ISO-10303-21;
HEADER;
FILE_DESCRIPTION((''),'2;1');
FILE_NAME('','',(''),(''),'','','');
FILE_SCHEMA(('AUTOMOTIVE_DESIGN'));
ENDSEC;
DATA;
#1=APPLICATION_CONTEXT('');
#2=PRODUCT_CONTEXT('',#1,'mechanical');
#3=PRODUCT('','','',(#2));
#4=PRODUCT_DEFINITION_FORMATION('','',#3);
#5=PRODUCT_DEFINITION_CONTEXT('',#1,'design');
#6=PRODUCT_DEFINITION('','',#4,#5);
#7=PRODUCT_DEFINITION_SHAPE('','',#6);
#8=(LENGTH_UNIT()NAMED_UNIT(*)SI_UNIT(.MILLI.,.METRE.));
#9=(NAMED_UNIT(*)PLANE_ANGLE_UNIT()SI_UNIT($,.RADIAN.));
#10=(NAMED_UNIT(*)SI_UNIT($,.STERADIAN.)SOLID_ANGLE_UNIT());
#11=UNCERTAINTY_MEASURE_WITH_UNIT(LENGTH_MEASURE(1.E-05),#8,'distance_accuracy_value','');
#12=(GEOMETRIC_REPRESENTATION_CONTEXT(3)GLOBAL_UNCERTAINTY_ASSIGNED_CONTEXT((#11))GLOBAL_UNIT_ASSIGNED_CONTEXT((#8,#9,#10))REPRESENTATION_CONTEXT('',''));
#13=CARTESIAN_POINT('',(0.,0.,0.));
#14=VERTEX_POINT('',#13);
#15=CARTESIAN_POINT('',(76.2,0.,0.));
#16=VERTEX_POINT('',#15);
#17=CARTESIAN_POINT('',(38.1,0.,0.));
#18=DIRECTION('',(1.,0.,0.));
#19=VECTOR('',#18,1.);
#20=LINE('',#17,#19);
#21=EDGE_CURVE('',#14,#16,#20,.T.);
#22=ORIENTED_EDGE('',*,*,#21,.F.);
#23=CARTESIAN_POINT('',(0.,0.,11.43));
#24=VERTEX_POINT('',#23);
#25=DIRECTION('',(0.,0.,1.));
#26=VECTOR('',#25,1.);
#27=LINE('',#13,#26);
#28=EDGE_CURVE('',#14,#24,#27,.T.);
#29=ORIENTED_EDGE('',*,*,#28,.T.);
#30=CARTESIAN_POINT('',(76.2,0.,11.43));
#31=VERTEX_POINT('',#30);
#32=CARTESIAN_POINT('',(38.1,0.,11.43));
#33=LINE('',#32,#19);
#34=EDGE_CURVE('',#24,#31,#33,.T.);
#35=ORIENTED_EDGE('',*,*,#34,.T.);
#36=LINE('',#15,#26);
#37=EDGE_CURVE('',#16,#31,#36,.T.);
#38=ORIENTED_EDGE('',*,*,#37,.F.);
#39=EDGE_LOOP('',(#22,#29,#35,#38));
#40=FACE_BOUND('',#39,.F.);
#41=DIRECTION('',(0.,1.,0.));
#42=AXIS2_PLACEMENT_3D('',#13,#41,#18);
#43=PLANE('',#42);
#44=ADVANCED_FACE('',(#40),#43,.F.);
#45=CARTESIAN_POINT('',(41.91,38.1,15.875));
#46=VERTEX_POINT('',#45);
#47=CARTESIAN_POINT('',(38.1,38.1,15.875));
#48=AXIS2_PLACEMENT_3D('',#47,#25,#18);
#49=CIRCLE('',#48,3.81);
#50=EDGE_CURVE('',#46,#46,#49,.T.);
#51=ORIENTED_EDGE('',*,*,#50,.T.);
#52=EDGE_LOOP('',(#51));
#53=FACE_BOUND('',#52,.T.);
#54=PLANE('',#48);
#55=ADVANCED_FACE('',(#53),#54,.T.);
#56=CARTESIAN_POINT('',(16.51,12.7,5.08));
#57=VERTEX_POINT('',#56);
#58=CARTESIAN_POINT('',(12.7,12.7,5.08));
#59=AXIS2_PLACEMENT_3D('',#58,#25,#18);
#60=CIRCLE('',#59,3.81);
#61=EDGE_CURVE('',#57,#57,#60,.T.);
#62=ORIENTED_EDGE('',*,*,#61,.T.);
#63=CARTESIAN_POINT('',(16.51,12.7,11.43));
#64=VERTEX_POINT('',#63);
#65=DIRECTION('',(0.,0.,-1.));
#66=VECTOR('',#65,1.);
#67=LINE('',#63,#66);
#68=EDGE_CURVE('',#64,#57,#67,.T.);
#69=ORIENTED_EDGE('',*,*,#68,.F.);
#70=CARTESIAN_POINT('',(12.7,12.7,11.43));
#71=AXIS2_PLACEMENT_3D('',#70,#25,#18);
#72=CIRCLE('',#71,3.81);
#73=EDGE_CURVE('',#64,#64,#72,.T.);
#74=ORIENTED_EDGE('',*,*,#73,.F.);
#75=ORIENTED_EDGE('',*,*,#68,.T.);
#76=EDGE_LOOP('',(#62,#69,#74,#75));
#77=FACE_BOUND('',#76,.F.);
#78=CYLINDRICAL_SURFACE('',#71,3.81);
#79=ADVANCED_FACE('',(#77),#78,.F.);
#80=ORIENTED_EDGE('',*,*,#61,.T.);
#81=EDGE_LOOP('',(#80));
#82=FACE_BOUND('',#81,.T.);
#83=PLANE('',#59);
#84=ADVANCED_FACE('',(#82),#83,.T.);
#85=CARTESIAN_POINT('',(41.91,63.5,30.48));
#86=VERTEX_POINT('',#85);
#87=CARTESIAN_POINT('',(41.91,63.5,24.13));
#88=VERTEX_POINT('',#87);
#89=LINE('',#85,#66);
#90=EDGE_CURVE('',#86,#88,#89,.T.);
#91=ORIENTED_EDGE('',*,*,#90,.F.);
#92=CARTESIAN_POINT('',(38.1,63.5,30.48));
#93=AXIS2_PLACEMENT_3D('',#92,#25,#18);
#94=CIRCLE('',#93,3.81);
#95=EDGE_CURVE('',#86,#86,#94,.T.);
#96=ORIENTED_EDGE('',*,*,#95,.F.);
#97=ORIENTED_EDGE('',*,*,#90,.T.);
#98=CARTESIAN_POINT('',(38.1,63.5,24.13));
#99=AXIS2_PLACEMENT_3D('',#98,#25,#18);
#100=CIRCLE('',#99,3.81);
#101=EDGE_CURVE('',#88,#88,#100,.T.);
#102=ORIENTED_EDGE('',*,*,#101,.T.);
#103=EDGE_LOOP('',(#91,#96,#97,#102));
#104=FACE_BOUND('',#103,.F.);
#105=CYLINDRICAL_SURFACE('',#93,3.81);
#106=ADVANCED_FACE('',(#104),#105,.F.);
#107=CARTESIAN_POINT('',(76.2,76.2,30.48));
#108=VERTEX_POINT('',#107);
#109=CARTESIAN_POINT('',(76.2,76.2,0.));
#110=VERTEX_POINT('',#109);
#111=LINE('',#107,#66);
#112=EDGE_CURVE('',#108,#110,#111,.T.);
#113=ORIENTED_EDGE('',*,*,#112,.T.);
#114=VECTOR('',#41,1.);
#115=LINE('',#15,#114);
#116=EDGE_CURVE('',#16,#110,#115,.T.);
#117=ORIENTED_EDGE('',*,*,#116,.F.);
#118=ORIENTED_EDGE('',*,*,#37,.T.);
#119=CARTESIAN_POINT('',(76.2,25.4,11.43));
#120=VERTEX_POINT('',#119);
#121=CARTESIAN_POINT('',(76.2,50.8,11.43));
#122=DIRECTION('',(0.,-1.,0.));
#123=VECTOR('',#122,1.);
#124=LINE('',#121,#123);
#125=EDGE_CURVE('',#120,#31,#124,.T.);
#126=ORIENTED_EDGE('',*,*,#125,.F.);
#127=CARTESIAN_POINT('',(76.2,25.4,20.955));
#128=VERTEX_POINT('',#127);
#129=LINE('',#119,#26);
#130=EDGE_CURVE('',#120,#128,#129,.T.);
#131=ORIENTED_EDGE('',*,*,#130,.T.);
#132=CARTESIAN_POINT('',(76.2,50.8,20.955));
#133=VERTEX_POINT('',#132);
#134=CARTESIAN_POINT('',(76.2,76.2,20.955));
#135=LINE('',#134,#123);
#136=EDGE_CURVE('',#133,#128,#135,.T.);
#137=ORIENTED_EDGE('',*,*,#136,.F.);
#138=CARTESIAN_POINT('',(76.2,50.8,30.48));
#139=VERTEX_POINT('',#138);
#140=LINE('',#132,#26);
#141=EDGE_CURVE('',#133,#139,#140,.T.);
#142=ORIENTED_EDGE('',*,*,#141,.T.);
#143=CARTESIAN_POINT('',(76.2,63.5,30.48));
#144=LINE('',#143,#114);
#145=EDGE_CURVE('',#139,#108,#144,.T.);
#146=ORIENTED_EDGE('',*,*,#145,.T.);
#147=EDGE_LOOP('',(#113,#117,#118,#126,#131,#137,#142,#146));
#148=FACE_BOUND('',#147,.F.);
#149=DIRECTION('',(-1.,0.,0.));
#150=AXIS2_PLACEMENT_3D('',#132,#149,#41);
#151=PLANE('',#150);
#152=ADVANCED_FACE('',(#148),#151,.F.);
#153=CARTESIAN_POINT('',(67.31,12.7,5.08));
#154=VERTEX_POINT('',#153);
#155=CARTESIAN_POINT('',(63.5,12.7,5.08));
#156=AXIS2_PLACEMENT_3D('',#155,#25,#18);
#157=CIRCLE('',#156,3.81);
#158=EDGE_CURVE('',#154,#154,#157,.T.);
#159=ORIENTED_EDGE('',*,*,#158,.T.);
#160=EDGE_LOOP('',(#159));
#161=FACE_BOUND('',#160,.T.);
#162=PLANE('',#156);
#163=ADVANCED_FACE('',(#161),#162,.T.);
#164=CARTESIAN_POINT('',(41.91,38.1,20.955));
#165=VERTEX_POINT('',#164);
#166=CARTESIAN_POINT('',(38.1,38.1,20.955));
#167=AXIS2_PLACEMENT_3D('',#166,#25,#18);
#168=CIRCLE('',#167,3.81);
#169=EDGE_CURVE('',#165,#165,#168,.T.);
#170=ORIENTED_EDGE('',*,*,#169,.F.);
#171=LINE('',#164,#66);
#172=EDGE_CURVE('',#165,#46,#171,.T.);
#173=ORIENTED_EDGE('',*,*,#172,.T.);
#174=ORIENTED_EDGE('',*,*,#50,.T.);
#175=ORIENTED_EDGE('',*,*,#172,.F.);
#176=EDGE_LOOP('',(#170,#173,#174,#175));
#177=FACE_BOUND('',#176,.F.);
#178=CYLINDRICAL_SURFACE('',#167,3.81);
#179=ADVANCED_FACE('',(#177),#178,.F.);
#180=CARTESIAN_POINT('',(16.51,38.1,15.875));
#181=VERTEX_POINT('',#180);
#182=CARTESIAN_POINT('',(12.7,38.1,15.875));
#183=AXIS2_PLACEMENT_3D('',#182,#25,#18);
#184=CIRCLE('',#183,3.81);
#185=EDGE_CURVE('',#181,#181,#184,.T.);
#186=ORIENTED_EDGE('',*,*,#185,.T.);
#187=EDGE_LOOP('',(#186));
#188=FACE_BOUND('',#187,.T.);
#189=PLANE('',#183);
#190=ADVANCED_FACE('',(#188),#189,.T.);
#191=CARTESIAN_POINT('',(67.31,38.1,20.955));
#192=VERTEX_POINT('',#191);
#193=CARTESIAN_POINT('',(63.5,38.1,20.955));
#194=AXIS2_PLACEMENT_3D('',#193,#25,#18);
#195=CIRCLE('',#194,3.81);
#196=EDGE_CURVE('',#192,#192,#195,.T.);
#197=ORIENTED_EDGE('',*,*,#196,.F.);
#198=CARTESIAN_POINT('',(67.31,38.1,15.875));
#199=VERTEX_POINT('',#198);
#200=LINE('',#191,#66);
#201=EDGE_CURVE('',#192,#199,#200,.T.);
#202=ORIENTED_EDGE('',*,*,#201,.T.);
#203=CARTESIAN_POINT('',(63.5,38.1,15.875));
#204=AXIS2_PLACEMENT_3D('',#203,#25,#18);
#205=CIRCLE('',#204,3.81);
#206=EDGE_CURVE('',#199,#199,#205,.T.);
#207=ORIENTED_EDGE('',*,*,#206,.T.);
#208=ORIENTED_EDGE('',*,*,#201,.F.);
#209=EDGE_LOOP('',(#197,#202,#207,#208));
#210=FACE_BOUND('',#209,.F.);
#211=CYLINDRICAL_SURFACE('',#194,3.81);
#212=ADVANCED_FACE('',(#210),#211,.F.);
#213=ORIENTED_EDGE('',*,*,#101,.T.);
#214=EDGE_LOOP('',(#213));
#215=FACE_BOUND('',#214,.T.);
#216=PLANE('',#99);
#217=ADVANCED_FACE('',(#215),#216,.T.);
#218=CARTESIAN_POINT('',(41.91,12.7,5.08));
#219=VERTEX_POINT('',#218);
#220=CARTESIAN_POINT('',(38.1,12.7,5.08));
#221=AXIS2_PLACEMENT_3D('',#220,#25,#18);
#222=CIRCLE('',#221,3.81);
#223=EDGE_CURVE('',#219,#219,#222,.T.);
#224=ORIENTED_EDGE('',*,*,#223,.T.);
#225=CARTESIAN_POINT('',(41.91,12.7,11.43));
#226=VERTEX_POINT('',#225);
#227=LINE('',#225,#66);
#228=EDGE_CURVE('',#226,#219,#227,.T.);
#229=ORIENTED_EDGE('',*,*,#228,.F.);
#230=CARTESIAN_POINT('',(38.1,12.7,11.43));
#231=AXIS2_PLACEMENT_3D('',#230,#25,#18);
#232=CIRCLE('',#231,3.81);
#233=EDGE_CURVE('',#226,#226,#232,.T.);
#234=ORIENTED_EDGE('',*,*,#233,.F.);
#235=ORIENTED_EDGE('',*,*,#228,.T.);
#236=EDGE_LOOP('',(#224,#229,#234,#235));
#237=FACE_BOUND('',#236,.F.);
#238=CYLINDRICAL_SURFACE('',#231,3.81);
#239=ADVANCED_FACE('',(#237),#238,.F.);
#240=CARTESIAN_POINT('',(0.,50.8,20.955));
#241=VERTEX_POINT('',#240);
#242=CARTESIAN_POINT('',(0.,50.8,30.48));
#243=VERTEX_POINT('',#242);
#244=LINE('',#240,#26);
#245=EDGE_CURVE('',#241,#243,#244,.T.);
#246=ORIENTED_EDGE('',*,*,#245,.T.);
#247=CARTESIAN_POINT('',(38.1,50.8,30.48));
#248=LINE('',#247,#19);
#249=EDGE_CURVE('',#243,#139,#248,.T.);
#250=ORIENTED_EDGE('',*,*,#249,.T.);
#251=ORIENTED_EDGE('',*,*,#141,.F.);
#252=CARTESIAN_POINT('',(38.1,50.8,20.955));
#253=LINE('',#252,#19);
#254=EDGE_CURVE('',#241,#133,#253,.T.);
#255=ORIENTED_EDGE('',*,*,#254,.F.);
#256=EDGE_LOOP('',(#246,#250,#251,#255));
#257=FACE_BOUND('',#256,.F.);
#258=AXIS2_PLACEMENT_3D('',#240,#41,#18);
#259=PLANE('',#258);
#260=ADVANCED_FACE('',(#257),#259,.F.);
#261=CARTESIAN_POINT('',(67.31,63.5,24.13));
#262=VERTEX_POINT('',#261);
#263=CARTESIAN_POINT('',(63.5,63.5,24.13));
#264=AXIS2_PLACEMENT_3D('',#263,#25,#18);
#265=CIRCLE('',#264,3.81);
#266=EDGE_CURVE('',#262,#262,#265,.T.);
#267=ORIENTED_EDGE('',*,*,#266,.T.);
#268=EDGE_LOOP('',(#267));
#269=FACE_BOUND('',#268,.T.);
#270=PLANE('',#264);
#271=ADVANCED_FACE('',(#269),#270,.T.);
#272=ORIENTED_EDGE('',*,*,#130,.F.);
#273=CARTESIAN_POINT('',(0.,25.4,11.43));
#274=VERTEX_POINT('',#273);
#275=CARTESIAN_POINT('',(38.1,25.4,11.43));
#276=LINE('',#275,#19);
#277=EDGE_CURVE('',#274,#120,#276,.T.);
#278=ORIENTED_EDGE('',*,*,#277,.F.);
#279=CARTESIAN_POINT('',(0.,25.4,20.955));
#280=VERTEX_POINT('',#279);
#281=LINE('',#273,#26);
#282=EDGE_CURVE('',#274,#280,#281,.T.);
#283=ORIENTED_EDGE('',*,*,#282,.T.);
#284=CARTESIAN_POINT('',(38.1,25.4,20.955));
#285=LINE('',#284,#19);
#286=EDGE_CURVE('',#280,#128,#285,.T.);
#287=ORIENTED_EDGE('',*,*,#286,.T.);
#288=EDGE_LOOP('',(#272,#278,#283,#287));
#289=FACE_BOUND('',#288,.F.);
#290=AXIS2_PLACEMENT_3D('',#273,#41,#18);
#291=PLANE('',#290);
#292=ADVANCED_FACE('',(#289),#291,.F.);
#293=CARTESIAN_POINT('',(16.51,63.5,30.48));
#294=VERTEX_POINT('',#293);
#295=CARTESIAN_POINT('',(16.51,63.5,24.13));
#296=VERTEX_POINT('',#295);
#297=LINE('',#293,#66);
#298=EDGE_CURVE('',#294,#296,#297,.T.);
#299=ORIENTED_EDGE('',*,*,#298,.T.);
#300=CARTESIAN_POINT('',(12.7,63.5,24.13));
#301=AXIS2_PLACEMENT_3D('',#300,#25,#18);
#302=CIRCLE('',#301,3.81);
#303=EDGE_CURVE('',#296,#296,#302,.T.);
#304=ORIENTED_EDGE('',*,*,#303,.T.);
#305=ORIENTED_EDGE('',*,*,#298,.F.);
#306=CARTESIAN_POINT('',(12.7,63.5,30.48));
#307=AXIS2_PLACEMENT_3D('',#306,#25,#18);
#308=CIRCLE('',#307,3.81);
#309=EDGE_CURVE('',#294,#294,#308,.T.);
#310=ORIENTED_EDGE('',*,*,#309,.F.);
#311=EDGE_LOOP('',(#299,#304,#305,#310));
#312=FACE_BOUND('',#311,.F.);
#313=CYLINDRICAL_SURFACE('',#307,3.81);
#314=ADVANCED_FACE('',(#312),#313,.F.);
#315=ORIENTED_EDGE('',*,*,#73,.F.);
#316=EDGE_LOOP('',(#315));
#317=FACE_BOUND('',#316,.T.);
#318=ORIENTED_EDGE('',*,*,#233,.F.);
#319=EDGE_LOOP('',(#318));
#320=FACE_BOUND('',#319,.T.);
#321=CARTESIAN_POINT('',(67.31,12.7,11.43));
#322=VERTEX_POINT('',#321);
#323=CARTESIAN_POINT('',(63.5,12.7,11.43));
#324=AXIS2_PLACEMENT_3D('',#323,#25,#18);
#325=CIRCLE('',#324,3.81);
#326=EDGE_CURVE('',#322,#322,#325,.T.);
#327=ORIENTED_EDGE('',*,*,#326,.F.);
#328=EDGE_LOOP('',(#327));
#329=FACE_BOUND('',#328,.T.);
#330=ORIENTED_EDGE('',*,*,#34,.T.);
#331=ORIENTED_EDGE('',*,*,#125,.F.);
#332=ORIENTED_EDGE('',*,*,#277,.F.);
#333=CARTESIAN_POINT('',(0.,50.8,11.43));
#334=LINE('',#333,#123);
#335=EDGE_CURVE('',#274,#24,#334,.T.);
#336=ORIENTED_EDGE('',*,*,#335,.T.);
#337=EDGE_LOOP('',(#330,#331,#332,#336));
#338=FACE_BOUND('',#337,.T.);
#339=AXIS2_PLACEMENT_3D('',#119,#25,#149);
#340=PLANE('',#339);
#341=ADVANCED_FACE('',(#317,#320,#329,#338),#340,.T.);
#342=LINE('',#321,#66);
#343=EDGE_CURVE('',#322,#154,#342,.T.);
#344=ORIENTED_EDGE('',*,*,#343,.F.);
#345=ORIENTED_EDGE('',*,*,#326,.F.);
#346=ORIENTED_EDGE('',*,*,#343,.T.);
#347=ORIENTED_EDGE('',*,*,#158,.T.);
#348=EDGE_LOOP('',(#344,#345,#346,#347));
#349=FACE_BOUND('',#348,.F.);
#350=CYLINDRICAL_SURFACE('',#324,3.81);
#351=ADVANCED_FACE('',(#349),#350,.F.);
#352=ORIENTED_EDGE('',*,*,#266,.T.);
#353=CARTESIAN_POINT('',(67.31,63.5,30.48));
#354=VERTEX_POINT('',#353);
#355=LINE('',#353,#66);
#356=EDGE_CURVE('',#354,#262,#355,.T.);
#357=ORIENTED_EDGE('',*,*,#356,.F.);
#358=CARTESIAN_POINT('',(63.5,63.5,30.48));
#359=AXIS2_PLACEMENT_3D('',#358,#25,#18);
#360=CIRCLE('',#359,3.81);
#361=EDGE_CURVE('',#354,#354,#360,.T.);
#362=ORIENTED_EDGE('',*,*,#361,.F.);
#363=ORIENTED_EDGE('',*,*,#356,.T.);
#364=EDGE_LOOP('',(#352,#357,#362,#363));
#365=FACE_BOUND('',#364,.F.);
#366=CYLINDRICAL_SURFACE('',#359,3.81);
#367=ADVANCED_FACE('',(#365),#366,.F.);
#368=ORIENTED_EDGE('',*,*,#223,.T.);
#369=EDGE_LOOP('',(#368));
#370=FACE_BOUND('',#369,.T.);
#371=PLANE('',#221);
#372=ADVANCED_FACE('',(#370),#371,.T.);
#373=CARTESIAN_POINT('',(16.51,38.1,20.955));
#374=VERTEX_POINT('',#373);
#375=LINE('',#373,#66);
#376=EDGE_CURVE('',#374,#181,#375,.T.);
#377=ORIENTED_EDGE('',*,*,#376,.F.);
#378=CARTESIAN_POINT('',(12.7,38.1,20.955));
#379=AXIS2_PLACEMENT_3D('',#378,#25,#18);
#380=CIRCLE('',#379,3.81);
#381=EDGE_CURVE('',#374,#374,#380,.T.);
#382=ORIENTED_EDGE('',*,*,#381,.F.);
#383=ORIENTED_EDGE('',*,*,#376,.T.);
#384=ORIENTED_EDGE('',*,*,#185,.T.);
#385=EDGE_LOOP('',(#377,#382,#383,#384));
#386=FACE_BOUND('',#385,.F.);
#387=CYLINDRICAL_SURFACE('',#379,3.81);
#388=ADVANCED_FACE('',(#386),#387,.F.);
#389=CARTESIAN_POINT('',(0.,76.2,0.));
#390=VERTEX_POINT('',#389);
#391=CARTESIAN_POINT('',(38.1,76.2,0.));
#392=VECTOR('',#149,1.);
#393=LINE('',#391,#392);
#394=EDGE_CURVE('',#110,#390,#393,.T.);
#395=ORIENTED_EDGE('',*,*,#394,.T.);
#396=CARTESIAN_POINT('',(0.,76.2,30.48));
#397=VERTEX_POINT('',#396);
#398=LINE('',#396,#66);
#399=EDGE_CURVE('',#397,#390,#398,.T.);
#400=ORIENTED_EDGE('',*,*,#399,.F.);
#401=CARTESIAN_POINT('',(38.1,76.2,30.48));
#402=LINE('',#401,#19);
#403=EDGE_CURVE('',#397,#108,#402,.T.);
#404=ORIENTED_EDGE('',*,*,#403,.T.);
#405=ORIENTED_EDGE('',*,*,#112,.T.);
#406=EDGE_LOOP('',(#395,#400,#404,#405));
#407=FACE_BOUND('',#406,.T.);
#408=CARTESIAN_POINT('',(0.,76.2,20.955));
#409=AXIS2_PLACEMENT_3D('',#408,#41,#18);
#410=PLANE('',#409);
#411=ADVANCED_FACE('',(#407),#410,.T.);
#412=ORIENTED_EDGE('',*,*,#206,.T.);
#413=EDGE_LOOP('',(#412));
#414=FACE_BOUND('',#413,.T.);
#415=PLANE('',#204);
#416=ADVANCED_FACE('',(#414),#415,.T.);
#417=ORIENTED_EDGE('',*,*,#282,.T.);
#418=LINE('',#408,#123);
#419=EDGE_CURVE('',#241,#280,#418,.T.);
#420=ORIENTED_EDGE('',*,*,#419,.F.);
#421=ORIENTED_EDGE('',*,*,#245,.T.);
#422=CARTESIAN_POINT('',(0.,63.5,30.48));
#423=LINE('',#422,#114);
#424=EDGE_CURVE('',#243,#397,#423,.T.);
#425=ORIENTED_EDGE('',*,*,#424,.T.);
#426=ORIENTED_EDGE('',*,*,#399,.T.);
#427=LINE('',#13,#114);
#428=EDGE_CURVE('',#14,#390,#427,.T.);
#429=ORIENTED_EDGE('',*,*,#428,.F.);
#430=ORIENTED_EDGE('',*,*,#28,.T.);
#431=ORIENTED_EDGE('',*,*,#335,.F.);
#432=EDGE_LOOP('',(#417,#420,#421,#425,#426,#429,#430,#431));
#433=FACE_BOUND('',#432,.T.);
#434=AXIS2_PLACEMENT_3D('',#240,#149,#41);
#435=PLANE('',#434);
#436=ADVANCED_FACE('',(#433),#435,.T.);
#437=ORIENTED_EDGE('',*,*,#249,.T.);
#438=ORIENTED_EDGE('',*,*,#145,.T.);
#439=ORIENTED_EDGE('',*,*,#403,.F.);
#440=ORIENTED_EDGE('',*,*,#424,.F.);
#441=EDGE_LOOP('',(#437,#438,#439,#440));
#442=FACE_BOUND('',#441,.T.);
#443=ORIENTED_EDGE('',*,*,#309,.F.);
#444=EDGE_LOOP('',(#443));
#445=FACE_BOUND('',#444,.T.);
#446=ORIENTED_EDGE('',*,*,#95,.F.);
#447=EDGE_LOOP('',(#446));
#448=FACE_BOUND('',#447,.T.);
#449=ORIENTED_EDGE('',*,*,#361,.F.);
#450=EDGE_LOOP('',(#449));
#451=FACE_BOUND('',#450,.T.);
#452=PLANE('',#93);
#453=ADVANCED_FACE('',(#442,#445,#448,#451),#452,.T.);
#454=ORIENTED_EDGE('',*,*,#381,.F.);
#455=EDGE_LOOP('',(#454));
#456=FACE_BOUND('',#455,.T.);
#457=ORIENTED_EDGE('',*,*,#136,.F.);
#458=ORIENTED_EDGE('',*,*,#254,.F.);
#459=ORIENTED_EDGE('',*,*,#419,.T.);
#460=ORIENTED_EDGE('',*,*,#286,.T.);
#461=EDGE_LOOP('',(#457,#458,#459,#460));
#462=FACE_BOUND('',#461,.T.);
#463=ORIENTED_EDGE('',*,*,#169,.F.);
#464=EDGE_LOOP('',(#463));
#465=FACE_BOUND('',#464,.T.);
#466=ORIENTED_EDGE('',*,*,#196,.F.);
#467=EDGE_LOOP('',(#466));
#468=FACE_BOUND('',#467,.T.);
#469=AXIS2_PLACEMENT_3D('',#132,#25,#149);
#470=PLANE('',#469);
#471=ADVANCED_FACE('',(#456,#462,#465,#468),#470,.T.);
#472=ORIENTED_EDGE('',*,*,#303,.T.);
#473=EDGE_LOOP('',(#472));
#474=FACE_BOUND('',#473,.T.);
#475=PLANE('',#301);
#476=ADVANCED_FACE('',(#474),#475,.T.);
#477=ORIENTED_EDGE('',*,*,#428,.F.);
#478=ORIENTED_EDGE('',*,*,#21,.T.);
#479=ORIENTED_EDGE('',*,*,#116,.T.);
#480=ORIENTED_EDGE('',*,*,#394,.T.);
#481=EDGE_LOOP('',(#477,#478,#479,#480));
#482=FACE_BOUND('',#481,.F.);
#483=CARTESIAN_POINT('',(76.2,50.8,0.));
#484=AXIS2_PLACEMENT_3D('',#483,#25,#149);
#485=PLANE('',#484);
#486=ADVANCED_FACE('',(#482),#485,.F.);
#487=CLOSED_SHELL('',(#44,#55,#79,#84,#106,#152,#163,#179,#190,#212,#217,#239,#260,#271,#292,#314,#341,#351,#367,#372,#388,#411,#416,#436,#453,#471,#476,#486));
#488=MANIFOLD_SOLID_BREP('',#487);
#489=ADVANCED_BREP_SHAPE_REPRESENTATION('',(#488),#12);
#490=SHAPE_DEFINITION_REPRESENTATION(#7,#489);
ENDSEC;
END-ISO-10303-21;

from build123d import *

# Parameters (mm, degrees)
F0_W      = 76.2
F0_H      = 25.4
F1_DEPTH  = 11.43
F2_R      = 3.81
F3_DEPTH  = 6.35
F4_W      = 76.2
F4_H      = 11.43
F5_DEPTH  = 25.4
F6_W      = 76.2
F6_H      = 25.4
F7_DEPTH  = 9.525
F8_W      = 76.2
F8_H      = 20.955
F9_DEPTH  = 25.4
F10_W     = 76.2
F10_H     = 25.4
F11_DEPTH = 9.525
F12_R     = 3.81
F13_DEPTH = 5.08
F14_R     = 3.81
F15_DEPTH = 6.35


with BuildPart() as f1:
    # F0 (on Top) → F1 (new body)
    with BuildSketch(Plane.XY):
        with Locations((38.1, 12.7)):
            Rectangle(F0_W, F0_H)
    extrude(amount=F1_DEPTH)

    # F2 (on face) → F3 (cut)
    with BuildSketch(Plane.XY.offset(11.43)):
        with Locations((12.7, 12.7)):
            Circle(F2_R)
        with Locations((38.1, 12.7)):
            Circle(F2_R)
        with Locations((63.5, 12.7)):
            Circle(F2_R)
    extrude(amount=-F3_DEPTH, mode=Mode.SUBTRACT)

    # F4 (on face) → F5 (join)
    with BuildSketch(Plane(origin=(0, 25.4, 0), x_dir=(-1, 0, 0), z_dir=(0, 1, 0))):
        with Locations((-38.1, 5.715)):
            Rectangle(F4_W, F4_H)
    extrude(amount=F5_DEPTH)

    # F6 (on face) → F7 (join)
    with BuildSketch(Plane.XY.offset(11.43)):
        with Locations((38.1, 38.1)):
            Rectangle(F6_W, F6_H)
    extrude(amount=F7_DEPTH)

    # F8 (on face) → F9 (join)
    with BuildSketch(Plane(origin=(0, 50.8, 0), x_dir=(-1, 0, 0), z_dir=(0, 1, 0))):
        with Locations((-38.1, 10.4775)):
            Rectangle(F8_W, F8_H)
    extrude(amount=F9_DEPTH)

    # F10 (on face) → F11 (join)
    with BuildSketch(Plane.XY.offset(20.955)):
        with Locations((38.1, 63.5)):
            Rectangle(F10_W, F10_H)
    extrude(amount=F11_DEPTH)

    # F12 (on face) → F13 (cut)
    with BuildSketch(Plane.XY.offset(20.955)):
        with Locations((12.7, 38.1)):
            Circle(F12_R)
        with Locations((38.1, 38.1)):
            Circle(F12_R)
        with Locations((63.5, 38.1)):
            Circle(F12_R)
    extrude(amount=-F13_DEPTH, mode=Mode.SUBTRACT)

    # F14 (on face) → F15 (cut)
    with BuildSketch(Plane.XY.offset(30.48)):
        with Locations((12.7, 63.5)):
            Circle(F14_R)
        with Locations((38.1, 63.5)):
            Circle(F14_R)
        with Locations((63.5, 63.5)):
            Circle(F14_R)
    extrude(amount=-F15_DEPTH, mode=Mode.SUBTRACT)


solid = f1.part
